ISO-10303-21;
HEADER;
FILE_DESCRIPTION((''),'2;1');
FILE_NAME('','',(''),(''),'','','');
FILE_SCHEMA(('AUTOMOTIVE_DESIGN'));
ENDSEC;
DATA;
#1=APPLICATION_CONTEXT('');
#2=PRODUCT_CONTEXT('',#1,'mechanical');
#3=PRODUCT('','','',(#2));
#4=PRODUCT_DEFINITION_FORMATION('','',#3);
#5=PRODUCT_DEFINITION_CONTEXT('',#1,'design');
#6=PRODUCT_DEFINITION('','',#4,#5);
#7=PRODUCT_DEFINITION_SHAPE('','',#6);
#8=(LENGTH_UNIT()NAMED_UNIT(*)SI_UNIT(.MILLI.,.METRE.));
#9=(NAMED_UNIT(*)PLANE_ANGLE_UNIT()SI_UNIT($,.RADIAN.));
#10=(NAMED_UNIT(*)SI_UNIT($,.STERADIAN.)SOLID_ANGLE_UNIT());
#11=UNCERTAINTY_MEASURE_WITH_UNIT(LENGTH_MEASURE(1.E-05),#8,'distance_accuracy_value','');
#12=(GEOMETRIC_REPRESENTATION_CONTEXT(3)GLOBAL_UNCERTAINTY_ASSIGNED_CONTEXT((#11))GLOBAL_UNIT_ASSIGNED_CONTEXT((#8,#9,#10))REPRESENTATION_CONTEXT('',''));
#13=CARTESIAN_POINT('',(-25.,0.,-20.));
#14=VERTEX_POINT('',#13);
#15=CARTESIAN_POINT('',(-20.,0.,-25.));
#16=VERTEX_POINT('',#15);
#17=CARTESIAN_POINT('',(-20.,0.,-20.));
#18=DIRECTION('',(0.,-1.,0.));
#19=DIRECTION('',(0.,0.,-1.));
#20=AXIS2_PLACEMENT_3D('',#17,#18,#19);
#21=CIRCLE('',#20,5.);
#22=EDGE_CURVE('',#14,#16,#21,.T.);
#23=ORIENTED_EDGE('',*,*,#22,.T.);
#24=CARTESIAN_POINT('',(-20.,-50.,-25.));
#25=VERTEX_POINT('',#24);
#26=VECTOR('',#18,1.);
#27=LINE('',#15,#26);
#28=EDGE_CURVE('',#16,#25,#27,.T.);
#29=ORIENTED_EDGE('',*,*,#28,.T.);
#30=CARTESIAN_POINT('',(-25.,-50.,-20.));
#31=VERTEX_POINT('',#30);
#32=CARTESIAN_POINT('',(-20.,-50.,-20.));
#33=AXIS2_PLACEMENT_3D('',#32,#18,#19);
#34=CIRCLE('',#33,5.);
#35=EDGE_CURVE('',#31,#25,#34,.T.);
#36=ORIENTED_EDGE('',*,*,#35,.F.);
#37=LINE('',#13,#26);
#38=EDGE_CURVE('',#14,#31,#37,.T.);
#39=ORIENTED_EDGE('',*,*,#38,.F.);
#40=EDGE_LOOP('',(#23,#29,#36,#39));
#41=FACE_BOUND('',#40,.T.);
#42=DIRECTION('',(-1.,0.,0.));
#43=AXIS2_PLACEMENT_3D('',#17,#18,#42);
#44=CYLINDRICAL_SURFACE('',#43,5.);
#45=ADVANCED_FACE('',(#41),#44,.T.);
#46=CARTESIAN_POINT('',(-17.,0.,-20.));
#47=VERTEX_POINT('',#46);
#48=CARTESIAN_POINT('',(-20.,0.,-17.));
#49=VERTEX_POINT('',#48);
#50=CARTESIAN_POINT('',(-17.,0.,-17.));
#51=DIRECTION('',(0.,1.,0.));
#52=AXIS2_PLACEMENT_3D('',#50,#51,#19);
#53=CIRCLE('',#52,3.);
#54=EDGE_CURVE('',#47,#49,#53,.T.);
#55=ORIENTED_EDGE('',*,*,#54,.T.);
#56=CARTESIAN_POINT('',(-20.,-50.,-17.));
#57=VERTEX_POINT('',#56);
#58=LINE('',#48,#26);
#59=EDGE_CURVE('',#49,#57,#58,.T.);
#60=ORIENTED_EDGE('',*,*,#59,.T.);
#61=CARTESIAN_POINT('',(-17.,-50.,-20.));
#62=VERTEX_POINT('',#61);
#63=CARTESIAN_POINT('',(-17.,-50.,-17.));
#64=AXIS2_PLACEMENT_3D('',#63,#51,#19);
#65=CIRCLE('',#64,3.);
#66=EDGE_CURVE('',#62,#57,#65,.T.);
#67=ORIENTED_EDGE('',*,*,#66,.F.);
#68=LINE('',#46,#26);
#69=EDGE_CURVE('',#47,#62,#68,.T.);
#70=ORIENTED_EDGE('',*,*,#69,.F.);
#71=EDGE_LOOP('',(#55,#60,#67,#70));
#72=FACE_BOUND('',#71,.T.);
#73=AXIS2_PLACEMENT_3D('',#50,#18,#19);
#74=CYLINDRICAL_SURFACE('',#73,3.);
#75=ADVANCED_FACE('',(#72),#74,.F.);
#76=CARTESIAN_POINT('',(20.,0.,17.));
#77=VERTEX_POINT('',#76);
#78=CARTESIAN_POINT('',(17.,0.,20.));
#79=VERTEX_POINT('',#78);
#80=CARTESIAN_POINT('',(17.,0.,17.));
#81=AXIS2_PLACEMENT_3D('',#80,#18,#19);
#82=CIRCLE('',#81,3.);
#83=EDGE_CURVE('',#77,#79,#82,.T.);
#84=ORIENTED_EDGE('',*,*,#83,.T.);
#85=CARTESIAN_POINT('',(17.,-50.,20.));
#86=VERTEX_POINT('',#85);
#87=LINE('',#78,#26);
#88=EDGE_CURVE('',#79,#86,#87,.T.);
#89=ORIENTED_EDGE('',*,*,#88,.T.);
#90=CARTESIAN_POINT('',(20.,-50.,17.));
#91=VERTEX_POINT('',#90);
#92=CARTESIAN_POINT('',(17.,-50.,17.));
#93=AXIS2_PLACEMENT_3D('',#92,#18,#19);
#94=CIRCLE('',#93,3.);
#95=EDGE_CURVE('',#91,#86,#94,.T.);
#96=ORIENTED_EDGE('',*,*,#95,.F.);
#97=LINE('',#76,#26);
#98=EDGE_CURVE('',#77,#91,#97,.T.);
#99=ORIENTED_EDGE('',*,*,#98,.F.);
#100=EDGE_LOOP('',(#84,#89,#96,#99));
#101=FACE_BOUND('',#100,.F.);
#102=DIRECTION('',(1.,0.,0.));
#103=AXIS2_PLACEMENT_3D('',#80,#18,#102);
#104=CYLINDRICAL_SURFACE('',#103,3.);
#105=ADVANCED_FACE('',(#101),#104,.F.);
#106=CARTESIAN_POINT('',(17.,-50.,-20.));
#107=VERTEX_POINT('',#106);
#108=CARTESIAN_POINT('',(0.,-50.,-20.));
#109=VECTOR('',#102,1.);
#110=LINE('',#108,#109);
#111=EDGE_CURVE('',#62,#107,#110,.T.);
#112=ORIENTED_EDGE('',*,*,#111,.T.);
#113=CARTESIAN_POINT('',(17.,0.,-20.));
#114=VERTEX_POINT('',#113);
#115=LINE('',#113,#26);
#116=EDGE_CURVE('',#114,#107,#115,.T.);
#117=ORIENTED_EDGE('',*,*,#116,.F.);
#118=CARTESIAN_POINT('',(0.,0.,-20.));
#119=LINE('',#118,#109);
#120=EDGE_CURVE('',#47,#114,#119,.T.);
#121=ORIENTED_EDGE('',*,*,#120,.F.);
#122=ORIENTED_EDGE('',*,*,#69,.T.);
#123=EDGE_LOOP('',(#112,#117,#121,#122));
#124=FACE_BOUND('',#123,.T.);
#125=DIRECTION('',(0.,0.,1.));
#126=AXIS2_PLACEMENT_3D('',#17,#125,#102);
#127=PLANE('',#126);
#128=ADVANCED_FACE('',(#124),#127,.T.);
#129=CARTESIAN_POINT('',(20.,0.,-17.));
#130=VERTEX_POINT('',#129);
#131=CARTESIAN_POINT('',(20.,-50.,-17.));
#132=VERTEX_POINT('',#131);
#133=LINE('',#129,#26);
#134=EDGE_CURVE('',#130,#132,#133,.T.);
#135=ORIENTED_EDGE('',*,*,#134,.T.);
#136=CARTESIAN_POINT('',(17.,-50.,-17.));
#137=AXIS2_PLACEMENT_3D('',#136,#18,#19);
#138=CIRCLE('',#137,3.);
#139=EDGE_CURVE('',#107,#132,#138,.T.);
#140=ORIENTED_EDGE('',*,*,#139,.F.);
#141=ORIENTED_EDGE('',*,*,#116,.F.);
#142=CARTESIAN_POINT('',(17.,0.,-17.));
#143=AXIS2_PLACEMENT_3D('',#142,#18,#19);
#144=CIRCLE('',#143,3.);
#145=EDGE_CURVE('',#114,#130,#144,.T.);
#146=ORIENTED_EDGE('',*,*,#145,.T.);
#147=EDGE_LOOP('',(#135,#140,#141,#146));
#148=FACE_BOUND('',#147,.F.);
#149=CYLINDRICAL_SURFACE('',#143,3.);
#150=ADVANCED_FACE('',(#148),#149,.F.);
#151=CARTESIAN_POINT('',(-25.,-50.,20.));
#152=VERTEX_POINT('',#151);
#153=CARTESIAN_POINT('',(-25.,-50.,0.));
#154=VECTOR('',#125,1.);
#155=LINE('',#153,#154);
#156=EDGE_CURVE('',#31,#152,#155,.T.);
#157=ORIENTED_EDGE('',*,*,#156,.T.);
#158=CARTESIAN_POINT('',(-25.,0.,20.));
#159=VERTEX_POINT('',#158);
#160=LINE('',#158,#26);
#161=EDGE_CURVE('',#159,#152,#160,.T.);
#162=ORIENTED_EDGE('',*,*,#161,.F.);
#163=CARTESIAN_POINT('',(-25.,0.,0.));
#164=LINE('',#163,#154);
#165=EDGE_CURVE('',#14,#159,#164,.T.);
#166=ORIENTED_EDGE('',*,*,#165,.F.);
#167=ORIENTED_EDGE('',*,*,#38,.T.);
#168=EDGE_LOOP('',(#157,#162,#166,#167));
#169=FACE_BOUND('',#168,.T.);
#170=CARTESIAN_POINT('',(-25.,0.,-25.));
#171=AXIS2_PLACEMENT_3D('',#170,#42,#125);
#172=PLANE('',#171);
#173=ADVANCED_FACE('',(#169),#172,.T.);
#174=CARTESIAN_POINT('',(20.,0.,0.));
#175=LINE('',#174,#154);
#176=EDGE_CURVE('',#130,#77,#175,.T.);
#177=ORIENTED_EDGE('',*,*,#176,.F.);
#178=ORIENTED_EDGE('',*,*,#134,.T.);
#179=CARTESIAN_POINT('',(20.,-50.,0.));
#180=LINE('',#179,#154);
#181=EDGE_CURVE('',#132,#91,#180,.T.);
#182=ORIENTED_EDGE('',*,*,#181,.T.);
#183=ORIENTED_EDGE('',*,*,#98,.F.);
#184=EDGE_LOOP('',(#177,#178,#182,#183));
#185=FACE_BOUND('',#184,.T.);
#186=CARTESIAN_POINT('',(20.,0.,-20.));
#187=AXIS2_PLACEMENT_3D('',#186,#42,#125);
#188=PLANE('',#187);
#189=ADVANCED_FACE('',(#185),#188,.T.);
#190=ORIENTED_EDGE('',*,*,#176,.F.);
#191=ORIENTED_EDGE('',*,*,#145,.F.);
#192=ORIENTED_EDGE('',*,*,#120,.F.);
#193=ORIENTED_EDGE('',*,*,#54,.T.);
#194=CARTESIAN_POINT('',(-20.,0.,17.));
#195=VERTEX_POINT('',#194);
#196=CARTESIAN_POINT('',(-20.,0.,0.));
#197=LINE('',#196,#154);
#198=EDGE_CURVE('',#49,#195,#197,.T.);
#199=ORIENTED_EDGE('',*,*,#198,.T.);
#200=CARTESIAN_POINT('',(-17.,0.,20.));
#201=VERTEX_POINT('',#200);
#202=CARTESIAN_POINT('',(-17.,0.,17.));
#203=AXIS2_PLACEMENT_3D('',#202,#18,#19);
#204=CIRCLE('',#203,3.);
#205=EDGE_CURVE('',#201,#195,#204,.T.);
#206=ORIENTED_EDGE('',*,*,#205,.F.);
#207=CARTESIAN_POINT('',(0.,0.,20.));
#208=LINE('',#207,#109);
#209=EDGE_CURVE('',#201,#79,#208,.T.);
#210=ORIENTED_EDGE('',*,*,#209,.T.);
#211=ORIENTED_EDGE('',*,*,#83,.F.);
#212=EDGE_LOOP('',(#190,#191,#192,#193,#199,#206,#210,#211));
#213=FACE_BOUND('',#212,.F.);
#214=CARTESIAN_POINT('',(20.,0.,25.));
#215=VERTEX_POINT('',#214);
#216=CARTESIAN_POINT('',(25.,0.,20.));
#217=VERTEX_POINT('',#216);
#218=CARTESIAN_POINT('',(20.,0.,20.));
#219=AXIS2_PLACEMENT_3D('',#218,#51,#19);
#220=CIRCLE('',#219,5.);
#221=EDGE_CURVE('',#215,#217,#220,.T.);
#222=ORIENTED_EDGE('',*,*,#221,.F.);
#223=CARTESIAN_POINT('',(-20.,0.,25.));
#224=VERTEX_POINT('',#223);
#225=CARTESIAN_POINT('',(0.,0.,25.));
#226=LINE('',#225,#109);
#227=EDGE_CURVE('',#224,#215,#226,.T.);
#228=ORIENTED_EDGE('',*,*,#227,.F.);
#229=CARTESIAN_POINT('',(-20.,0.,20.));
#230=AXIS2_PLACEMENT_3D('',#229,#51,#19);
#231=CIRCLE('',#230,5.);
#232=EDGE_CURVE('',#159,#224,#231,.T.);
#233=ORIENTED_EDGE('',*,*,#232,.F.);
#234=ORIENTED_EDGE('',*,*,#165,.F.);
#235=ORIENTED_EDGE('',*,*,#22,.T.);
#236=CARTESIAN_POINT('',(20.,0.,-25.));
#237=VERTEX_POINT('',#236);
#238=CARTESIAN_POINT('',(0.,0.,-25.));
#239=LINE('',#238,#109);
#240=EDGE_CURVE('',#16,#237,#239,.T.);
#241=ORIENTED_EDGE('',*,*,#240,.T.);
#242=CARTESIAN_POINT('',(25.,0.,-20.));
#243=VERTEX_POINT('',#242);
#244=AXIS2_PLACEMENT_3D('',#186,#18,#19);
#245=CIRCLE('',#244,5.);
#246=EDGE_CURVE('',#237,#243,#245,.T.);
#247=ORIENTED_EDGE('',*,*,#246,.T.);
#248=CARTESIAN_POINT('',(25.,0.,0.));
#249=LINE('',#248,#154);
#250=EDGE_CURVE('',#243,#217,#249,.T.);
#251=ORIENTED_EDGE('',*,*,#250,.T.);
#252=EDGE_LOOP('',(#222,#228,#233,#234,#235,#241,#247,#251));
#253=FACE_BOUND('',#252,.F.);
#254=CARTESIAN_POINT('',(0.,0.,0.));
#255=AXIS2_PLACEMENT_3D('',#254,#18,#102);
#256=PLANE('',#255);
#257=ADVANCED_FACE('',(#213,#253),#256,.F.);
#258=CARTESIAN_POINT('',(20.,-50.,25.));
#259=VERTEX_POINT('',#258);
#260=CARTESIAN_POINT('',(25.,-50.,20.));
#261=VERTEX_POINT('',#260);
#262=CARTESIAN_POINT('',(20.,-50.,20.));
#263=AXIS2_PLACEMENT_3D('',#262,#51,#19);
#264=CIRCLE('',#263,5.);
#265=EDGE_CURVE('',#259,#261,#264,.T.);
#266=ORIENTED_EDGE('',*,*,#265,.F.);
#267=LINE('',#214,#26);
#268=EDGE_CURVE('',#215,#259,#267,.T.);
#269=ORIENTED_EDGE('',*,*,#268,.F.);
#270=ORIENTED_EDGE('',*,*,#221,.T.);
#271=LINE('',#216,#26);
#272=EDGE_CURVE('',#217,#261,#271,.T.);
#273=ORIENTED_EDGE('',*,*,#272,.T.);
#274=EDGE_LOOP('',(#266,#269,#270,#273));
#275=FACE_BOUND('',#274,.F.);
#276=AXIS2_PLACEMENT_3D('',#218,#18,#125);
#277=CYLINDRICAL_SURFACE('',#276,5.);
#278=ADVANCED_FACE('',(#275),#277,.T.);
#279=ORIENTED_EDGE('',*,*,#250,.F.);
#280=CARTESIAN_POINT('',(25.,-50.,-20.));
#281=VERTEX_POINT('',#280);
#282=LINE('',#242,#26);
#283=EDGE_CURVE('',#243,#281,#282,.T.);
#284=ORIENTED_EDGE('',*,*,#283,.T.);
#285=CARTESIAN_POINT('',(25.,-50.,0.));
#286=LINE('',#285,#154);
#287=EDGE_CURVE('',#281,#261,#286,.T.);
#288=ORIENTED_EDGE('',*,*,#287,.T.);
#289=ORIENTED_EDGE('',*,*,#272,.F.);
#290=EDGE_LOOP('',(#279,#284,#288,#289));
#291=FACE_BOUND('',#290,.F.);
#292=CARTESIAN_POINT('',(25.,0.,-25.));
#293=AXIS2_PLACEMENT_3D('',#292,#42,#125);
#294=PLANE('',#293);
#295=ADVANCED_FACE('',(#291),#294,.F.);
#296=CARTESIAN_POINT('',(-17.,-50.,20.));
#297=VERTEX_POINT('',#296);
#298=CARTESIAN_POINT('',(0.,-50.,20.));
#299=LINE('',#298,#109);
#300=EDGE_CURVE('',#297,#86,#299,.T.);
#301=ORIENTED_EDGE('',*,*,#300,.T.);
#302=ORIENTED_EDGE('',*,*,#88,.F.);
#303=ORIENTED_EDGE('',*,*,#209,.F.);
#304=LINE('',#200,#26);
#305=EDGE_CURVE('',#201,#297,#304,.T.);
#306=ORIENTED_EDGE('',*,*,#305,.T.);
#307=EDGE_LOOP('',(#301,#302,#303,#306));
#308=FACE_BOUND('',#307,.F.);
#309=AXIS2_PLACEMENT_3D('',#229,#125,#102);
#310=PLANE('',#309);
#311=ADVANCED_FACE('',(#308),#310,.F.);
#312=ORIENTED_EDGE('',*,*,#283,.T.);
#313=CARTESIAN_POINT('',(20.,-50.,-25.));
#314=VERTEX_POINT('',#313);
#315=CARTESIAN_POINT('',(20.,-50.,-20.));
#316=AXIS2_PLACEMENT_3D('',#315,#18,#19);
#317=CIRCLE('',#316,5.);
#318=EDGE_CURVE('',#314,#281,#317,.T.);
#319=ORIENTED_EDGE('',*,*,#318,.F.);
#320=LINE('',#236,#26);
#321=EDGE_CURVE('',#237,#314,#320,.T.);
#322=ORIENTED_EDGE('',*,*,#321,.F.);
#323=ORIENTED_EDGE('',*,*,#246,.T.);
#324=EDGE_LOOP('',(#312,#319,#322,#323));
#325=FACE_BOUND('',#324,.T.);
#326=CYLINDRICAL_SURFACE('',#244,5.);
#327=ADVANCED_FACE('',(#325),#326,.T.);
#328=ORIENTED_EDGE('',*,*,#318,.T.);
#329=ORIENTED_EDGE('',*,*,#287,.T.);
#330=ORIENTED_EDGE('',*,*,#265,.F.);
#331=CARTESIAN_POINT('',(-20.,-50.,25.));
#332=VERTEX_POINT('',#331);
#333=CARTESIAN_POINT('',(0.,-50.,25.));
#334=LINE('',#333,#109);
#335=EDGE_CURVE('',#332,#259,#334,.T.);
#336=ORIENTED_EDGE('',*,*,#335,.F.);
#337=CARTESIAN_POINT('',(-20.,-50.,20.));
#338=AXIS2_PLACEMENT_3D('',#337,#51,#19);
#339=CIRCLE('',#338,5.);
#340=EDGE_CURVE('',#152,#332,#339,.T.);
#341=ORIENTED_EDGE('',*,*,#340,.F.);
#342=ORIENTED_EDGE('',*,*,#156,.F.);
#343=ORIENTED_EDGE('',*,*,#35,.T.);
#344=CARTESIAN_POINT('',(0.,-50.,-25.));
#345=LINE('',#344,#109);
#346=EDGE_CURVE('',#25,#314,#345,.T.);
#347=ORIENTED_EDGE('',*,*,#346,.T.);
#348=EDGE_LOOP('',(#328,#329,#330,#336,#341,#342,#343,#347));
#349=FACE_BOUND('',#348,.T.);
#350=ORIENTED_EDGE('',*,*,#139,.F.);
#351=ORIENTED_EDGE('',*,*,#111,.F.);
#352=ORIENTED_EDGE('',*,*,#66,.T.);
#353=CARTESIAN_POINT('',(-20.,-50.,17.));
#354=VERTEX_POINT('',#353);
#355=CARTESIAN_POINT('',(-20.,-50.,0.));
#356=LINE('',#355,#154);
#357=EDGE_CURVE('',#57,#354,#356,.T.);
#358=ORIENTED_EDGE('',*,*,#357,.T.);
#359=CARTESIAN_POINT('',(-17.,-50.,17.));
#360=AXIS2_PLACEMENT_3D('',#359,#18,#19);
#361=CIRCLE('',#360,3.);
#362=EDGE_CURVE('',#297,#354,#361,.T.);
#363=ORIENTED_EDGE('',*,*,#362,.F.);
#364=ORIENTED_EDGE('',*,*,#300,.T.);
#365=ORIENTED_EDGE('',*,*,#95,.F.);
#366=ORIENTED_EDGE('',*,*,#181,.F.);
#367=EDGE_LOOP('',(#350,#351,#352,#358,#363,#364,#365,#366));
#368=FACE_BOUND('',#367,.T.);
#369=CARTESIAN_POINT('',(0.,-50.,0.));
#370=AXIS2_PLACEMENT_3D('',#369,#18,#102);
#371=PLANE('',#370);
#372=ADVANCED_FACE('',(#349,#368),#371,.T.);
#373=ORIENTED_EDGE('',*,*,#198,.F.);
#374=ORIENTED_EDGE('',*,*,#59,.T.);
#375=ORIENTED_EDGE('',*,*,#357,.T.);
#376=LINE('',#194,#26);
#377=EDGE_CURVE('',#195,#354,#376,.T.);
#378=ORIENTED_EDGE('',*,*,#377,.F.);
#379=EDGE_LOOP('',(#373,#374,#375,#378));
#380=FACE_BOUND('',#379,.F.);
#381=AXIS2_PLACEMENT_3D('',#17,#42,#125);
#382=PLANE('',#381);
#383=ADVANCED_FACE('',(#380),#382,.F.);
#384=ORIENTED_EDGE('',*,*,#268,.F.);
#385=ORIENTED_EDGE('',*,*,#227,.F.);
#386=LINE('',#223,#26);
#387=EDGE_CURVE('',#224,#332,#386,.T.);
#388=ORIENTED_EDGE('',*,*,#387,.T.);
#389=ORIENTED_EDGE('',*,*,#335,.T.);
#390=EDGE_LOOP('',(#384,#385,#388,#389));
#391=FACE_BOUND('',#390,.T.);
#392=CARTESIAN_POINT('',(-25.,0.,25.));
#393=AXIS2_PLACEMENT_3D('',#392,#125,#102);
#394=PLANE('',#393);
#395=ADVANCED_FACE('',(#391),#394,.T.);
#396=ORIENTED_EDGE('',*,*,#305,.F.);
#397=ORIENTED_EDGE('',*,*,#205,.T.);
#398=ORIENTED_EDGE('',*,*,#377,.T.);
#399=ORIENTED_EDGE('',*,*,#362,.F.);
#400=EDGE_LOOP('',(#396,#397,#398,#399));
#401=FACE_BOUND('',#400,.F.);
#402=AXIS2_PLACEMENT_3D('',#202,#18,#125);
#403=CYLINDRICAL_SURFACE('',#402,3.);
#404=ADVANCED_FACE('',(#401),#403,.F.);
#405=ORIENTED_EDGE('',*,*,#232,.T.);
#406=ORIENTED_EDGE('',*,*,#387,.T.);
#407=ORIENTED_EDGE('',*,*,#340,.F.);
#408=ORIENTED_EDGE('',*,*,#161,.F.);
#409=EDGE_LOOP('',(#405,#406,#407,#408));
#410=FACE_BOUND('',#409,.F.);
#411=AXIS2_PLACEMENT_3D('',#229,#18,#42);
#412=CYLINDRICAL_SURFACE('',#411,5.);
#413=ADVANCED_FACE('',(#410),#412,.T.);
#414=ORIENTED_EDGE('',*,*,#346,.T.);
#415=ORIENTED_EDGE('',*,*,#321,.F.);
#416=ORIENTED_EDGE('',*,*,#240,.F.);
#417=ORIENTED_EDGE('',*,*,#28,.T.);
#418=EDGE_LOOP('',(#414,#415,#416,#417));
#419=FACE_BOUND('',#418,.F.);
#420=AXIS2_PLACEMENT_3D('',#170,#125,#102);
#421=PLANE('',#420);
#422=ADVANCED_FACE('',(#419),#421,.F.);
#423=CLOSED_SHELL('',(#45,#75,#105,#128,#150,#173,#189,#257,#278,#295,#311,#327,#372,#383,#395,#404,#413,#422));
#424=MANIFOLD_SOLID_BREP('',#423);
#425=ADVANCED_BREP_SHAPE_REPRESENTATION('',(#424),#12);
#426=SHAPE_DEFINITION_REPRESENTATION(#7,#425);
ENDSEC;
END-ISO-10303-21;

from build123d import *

# Parameters (mm, degrees)
F0_W     = 50
F0_H     = 50
F0_W_2   = 40
F0_H_2   = 40
F1_DEPTH = 50
F2_R     = 5
F3_R     = 3


with BuildPart() as f1:
    # F0 (on Front) → F1 (new body)
    with BuildSketch(Plane.XZ):
        Rectangle(F0_W, F0_H)
        Rectangle(F0_W_2, F0_H_2, mode=Mode.SUBTRACT)
    extrude(amount=F1_DEPTH)

    # F2
    f2_edges = [f1.edges().sort_by_distance(p)[0] for p in [
        (25, -25, 25),
        (-25, -25, 25),
        (25, -25, -25),
        (-25, -25, -25),
    ]]
    fillet(f2_edges, radius=F2_R)

    # F3
    f3_edges = [f1.edges().sort_by_distance(p)[0] for p in [
        (20, -25, 20),
        (-20, -25, 20),
        (-20, -25, -20),
        (20, -25, -20),
    ]]
    fillet(f3_edges, radius=F3_R)


solid = f1.part
